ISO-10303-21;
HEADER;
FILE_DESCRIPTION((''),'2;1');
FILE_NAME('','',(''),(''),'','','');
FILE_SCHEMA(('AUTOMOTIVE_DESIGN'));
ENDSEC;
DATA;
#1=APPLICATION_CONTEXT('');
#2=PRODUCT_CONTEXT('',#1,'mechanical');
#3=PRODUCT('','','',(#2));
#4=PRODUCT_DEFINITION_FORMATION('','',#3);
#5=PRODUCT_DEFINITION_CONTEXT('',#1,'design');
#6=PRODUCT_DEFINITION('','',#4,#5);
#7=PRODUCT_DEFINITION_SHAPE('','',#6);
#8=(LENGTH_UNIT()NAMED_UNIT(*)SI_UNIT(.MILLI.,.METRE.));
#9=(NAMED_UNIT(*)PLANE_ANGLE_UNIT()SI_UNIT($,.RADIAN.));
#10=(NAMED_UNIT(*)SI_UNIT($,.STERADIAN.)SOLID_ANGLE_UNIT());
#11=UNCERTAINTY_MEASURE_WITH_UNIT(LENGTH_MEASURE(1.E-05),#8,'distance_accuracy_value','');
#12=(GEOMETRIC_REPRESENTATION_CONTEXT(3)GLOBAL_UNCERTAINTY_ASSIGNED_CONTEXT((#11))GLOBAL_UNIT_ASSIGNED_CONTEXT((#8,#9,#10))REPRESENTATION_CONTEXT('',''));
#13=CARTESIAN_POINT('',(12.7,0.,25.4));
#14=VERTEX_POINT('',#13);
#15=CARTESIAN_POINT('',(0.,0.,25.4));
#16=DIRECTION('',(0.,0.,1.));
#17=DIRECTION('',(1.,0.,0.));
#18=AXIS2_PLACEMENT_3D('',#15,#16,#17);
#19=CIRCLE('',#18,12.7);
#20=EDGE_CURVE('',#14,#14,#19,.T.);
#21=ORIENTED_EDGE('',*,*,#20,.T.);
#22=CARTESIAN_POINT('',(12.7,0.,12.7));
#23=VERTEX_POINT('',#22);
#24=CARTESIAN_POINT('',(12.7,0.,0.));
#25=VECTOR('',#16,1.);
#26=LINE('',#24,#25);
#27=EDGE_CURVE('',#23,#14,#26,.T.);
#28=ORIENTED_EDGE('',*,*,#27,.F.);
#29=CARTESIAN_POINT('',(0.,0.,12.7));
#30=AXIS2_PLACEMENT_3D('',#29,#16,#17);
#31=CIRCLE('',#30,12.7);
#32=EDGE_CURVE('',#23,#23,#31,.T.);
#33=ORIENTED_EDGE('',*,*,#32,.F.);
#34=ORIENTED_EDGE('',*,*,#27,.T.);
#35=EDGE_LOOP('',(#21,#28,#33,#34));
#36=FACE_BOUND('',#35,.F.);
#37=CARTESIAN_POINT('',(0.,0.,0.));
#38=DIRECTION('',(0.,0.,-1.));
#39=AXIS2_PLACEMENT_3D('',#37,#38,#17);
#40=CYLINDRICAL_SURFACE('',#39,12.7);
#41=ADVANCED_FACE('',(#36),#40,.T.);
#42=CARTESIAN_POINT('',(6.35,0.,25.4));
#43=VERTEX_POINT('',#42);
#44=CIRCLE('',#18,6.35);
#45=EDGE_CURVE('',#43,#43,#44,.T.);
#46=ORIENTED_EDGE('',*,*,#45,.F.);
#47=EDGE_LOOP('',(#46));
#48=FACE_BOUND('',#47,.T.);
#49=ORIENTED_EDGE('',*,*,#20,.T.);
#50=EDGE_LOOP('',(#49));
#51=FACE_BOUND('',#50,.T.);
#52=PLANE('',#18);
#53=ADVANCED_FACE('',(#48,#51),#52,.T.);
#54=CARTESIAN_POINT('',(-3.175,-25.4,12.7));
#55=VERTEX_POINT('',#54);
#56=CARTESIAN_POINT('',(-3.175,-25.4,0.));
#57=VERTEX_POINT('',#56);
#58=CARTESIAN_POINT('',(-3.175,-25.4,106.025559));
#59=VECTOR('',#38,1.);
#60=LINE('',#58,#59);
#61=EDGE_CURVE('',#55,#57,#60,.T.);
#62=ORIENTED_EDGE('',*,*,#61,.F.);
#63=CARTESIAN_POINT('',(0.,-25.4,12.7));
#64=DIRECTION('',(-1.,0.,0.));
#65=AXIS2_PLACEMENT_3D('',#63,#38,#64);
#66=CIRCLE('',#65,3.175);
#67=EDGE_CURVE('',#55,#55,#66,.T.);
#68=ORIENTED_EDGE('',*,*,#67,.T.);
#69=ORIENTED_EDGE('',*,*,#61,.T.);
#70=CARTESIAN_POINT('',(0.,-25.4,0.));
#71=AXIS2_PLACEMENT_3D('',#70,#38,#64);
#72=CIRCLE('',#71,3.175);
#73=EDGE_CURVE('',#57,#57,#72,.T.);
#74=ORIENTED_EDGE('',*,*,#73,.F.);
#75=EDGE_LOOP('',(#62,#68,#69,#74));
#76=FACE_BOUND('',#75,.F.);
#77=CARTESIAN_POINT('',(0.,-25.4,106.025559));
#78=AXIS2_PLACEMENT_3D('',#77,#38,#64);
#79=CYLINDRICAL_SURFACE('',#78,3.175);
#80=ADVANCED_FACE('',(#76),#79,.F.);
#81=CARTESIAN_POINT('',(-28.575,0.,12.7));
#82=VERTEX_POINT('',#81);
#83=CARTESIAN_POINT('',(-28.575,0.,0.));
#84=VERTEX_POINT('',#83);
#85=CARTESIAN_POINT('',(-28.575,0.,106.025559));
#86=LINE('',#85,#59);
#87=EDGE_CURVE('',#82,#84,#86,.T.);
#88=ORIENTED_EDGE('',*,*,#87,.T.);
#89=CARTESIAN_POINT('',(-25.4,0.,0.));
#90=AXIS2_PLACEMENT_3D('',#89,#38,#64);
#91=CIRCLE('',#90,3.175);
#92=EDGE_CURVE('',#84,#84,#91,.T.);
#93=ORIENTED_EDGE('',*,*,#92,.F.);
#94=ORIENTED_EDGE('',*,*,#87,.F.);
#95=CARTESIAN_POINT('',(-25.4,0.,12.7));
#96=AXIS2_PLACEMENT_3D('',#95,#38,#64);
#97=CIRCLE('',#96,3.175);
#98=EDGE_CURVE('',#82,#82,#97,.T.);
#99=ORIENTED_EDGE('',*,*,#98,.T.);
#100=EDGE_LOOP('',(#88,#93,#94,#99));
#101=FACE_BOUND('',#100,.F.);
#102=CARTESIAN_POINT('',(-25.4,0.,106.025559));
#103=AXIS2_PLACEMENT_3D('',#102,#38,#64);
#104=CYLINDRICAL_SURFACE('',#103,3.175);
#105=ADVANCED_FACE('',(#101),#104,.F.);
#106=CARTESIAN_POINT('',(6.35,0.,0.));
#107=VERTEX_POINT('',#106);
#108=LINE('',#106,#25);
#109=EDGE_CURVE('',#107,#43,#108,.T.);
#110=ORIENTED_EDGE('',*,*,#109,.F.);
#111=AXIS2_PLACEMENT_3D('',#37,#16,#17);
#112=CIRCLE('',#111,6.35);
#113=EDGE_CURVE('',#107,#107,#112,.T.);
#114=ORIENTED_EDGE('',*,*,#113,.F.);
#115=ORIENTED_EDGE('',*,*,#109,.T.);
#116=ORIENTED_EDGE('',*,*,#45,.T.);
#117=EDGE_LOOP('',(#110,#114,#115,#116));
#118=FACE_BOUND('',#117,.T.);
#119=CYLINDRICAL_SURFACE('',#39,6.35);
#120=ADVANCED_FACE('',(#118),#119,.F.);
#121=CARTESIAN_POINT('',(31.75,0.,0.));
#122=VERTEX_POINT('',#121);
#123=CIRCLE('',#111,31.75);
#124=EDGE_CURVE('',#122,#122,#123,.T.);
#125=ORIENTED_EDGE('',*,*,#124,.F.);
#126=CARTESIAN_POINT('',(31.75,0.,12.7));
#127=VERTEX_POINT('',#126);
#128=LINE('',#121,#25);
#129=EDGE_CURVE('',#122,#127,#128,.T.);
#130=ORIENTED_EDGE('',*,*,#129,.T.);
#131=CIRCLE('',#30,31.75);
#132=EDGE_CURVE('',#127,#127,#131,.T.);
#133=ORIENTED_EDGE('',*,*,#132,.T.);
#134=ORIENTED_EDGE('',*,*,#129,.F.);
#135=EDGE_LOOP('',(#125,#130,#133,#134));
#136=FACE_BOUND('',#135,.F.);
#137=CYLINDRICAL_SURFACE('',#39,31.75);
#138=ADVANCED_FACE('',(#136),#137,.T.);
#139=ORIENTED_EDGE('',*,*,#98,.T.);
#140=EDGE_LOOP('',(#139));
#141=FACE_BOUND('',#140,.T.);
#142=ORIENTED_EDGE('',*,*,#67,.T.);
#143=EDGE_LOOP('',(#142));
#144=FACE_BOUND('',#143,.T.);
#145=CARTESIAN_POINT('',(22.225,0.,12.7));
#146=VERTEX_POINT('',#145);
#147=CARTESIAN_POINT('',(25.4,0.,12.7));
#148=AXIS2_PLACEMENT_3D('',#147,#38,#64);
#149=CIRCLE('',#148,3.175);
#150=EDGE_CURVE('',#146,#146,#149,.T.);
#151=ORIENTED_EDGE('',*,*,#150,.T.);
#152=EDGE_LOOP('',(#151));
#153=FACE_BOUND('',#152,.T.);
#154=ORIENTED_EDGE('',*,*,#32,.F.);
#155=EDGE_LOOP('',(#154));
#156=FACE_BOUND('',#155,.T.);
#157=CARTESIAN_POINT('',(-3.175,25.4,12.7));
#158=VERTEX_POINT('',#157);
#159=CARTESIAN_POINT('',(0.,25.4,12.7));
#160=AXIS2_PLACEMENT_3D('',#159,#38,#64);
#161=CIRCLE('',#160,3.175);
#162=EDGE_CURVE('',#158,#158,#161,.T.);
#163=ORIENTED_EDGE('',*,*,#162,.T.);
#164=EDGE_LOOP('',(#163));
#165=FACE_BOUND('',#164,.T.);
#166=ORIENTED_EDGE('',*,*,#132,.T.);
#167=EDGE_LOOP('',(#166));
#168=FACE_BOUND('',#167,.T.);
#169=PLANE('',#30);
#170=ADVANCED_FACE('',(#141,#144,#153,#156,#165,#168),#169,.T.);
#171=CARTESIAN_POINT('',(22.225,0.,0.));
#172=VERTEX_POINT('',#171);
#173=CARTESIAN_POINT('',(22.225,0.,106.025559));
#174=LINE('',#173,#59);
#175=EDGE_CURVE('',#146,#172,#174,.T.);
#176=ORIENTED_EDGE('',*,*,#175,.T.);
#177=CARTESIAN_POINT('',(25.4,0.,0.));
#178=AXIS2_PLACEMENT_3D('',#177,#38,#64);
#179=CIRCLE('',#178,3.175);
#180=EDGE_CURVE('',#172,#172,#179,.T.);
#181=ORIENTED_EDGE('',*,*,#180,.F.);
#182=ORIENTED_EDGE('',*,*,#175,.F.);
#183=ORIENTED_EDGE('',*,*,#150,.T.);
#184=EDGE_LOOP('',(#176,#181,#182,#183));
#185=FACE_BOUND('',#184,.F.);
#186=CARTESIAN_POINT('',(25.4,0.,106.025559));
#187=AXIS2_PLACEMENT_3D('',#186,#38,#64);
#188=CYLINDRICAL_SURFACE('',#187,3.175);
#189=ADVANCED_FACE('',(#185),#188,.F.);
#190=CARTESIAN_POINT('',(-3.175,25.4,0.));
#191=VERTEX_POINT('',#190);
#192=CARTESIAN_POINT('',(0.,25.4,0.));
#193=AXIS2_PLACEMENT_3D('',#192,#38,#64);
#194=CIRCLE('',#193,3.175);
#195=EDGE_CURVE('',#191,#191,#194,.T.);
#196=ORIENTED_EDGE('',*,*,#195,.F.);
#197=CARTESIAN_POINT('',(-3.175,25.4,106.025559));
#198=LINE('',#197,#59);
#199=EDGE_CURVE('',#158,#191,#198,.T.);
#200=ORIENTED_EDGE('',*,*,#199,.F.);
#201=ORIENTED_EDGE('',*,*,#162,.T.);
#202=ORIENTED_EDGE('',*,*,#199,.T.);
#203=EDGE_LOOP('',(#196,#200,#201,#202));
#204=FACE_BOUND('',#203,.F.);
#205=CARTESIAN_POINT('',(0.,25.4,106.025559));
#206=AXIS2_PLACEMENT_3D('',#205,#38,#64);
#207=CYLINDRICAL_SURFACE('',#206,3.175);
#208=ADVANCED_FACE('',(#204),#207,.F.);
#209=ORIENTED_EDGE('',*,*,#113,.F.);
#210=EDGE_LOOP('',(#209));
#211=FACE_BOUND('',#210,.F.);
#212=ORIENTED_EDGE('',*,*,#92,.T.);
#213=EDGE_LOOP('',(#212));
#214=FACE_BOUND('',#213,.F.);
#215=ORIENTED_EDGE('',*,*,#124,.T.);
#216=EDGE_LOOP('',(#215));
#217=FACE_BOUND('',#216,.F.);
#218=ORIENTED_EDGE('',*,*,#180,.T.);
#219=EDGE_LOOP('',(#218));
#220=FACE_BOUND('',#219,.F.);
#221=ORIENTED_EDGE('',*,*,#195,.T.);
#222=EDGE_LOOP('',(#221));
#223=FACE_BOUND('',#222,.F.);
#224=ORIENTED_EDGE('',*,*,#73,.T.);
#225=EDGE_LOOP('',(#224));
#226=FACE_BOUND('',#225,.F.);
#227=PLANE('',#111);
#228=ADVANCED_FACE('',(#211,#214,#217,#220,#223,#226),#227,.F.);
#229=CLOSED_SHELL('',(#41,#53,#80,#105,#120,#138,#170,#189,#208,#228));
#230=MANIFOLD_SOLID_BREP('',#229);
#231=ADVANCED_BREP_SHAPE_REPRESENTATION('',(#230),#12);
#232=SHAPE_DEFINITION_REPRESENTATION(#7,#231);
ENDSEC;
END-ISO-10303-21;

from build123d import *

# Parameters (mm, degrees)
F0_R     = 31.75
F0_R_2   = 12.7
F1_DEPTH = 12.7
F0_R_3   = 6.35
F2_DEPTH = 25.4
F4_D     = 6.35


with BuildPart() as f1:
    # F0 (on Top) → F1 (new body)
    with BuildSketch(Plane.XY):
        Circle(F0_R)
        Circle(F0_R_2, mode=Mode.SUBTRACT)
    extrude(amount=F1_DEPTH)

    # F0 (on Top) → F2 (join)
    with BuildSketch(Plane.XY):
        Circle(F0_R_2)
        Circle(F0_R_3, mode=Mode.SUBTRACT)
    extrude(amount=F2_DEPTH)

    # F4 (through all)
    with Locations(Plane.XY.offset(12.7)):
        with Locations((0, 25.4), (25.4, 0), (0, -25.4), (-25.4, 0)):
            Hole(F4_D / 2)


solid = f1.part
